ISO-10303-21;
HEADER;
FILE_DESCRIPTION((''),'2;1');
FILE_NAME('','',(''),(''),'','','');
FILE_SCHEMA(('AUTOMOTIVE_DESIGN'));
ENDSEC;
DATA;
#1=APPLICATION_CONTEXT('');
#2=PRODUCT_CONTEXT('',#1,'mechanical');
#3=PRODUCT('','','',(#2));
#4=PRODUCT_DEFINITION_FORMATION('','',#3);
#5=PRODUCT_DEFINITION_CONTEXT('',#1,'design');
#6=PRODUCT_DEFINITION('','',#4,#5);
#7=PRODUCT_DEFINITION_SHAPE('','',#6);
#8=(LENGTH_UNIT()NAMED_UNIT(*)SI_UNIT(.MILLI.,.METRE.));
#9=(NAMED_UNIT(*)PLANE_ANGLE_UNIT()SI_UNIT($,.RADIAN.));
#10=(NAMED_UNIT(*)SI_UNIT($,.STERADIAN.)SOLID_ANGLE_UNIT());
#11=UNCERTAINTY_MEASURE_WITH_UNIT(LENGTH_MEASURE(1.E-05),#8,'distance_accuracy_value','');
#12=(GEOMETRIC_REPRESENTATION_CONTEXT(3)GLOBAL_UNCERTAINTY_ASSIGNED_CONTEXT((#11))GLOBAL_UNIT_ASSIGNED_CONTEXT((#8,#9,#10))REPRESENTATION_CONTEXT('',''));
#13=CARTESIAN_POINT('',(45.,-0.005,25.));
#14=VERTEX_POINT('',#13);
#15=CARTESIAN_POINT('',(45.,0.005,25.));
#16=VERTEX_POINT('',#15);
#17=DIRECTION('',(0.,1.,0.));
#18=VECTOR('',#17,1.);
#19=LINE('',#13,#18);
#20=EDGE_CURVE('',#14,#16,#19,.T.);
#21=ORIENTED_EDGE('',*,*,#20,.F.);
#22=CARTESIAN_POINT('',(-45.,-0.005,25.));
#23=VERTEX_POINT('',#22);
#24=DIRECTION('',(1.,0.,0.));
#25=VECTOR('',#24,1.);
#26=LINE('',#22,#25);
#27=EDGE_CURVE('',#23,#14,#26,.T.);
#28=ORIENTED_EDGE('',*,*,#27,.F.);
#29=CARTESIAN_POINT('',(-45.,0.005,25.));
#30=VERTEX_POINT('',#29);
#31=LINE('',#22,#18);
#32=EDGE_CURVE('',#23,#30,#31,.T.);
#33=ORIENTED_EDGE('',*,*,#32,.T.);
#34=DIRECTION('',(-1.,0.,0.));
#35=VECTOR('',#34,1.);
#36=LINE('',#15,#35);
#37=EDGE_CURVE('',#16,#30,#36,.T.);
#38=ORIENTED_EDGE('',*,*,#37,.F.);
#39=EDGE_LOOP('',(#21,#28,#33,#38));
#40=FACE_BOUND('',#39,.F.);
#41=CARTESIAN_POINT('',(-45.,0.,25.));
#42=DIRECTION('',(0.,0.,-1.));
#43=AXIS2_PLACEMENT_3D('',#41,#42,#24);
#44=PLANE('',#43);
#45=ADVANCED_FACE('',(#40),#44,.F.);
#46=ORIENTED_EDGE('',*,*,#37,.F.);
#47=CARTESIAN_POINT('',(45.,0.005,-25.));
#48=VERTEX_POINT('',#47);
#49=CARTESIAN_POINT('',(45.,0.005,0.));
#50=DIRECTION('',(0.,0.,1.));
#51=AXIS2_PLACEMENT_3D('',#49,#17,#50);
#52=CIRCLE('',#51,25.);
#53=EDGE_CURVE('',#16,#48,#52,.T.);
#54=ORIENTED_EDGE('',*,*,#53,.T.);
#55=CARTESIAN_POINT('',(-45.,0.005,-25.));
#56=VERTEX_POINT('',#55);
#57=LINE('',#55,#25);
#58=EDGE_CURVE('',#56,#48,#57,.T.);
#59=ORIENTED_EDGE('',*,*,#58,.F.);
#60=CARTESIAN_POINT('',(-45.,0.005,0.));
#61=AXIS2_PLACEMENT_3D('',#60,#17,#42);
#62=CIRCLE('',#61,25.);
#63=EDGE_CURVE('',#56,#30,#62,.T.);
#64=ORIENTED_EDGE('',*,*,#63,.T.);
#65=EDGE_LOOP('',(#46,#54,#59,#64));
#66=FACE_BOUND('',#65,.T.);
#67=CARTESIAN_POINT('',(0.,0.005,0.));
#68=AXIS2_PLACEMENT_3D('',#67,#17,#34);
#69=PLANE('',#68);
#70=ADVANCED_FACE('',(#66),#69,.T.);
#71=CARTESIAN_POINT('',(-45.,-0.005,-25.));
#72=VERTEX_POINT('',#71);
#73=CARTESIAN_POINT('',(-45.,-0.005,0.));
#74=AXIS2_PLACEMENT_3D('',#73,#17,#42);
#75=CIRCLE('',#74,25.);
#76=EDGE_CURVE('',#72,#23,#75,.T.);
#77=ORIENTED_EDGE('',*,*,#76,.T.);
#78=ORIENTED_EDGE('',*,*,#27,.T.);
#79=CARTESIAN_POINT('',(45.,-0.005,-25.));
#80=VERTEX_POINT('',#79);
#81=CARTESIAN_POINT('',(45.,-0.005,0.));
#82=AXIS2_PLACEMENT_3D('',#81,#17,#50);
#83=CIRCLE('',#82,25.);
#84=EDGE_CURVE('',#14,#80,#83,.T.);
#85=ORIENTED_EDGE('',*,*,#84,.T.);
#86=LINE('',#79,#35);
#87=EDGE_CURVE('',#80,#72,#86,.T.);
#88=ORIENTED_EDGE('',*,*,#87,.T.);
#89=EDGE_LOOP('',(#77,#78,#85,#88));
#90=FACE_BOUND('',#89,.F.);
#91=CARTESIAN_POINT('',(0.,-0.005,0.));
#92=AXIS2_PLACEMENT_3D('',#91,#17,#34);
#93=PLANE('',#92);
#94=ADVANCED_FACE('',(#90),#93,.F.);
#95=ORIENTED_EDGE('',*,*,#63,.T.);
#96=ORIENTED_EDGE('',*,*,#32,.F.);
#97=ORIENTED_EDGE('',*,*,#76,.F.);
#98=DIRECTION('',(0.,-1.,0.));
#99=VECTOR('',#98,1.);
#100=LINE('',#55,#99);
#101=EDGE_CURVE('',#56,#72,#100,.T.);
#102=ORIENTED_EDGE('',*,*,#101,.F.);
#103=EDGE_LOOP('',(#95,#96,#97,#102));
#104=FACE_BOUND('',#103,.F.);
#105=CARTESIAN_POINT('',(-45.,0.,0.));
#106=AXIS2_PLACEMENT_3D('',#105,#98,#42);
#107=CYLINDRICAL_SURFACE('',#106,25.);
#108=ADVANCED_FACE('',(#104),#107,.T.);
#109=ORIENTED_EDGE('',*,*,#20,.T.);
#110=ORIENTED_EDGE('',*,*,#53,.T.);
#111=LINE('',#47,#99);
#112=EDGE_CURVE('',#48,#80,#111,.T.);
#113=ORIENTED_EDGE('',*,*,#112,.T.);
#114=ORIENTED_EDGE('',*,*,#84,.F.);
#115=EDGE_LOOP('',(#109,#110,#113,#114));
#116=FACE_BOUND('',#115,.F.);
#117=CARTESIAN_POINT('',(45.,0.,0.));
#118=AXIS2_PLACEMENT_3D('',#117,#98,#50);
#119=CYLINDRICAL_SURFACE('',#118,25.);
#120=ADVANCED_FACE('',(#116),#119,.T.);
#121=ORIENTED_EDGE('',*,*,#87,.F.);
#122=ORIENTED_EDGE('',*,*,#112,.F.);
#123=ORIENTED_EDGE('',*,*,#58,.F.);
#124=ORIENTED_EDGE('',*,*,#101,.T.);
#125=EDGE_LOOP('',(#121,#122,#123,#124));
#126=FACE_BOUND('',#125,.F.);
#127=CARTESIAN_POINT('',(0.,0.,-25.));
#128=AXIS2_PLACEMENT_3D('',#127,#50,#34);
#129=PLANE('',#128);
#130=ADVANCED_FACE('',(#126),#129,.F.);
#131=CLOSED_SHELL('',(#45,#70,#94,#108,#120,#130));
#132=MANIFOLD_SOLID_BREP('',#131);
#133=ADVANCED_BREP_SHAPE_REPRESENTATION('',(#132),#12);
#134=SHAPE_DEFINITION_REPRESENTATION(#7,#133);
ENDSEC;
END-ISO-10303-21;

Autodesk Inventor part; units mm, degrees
ref_plane "YZ Plane" through (0, 0, 0) normal (1, 0, 0) x (0, 1, 0)
ref_plane "XZ Plane" through (0, 0, 0) normal (0, 1, 0) x (-1, 0, 0)
ref_plane "XY Plane" through (0, 0, 0) normal (0, 0, 1) x (1, 0, 0)
sketch "Sketch1" plane through (0, 0, 0) normal (0, 1, 0) x (-1, 0, 0)
  line L0 (45, 25) -> (-45, 25)
  line L1 (-45, -25) -> (45, -25)
  arc A0 (-45, 25) -> (-45, -25) centre (-45, 0) ccw
  arc A1 (45, -25) -> (45, 25) centre (45, 0) ccw
  line L2 (45, 0) -> (-45, 0)
  line L3 (0, -25) -> (0, 25)
  point P0 (0, 0)
  dimension "d0" = 90
  dimension "d1" = 50
extrude "Extrusion1" add sketch "Sketch1" along normal mid plane 0.01
properties part number "Start_Velostat" material "Rubber"
